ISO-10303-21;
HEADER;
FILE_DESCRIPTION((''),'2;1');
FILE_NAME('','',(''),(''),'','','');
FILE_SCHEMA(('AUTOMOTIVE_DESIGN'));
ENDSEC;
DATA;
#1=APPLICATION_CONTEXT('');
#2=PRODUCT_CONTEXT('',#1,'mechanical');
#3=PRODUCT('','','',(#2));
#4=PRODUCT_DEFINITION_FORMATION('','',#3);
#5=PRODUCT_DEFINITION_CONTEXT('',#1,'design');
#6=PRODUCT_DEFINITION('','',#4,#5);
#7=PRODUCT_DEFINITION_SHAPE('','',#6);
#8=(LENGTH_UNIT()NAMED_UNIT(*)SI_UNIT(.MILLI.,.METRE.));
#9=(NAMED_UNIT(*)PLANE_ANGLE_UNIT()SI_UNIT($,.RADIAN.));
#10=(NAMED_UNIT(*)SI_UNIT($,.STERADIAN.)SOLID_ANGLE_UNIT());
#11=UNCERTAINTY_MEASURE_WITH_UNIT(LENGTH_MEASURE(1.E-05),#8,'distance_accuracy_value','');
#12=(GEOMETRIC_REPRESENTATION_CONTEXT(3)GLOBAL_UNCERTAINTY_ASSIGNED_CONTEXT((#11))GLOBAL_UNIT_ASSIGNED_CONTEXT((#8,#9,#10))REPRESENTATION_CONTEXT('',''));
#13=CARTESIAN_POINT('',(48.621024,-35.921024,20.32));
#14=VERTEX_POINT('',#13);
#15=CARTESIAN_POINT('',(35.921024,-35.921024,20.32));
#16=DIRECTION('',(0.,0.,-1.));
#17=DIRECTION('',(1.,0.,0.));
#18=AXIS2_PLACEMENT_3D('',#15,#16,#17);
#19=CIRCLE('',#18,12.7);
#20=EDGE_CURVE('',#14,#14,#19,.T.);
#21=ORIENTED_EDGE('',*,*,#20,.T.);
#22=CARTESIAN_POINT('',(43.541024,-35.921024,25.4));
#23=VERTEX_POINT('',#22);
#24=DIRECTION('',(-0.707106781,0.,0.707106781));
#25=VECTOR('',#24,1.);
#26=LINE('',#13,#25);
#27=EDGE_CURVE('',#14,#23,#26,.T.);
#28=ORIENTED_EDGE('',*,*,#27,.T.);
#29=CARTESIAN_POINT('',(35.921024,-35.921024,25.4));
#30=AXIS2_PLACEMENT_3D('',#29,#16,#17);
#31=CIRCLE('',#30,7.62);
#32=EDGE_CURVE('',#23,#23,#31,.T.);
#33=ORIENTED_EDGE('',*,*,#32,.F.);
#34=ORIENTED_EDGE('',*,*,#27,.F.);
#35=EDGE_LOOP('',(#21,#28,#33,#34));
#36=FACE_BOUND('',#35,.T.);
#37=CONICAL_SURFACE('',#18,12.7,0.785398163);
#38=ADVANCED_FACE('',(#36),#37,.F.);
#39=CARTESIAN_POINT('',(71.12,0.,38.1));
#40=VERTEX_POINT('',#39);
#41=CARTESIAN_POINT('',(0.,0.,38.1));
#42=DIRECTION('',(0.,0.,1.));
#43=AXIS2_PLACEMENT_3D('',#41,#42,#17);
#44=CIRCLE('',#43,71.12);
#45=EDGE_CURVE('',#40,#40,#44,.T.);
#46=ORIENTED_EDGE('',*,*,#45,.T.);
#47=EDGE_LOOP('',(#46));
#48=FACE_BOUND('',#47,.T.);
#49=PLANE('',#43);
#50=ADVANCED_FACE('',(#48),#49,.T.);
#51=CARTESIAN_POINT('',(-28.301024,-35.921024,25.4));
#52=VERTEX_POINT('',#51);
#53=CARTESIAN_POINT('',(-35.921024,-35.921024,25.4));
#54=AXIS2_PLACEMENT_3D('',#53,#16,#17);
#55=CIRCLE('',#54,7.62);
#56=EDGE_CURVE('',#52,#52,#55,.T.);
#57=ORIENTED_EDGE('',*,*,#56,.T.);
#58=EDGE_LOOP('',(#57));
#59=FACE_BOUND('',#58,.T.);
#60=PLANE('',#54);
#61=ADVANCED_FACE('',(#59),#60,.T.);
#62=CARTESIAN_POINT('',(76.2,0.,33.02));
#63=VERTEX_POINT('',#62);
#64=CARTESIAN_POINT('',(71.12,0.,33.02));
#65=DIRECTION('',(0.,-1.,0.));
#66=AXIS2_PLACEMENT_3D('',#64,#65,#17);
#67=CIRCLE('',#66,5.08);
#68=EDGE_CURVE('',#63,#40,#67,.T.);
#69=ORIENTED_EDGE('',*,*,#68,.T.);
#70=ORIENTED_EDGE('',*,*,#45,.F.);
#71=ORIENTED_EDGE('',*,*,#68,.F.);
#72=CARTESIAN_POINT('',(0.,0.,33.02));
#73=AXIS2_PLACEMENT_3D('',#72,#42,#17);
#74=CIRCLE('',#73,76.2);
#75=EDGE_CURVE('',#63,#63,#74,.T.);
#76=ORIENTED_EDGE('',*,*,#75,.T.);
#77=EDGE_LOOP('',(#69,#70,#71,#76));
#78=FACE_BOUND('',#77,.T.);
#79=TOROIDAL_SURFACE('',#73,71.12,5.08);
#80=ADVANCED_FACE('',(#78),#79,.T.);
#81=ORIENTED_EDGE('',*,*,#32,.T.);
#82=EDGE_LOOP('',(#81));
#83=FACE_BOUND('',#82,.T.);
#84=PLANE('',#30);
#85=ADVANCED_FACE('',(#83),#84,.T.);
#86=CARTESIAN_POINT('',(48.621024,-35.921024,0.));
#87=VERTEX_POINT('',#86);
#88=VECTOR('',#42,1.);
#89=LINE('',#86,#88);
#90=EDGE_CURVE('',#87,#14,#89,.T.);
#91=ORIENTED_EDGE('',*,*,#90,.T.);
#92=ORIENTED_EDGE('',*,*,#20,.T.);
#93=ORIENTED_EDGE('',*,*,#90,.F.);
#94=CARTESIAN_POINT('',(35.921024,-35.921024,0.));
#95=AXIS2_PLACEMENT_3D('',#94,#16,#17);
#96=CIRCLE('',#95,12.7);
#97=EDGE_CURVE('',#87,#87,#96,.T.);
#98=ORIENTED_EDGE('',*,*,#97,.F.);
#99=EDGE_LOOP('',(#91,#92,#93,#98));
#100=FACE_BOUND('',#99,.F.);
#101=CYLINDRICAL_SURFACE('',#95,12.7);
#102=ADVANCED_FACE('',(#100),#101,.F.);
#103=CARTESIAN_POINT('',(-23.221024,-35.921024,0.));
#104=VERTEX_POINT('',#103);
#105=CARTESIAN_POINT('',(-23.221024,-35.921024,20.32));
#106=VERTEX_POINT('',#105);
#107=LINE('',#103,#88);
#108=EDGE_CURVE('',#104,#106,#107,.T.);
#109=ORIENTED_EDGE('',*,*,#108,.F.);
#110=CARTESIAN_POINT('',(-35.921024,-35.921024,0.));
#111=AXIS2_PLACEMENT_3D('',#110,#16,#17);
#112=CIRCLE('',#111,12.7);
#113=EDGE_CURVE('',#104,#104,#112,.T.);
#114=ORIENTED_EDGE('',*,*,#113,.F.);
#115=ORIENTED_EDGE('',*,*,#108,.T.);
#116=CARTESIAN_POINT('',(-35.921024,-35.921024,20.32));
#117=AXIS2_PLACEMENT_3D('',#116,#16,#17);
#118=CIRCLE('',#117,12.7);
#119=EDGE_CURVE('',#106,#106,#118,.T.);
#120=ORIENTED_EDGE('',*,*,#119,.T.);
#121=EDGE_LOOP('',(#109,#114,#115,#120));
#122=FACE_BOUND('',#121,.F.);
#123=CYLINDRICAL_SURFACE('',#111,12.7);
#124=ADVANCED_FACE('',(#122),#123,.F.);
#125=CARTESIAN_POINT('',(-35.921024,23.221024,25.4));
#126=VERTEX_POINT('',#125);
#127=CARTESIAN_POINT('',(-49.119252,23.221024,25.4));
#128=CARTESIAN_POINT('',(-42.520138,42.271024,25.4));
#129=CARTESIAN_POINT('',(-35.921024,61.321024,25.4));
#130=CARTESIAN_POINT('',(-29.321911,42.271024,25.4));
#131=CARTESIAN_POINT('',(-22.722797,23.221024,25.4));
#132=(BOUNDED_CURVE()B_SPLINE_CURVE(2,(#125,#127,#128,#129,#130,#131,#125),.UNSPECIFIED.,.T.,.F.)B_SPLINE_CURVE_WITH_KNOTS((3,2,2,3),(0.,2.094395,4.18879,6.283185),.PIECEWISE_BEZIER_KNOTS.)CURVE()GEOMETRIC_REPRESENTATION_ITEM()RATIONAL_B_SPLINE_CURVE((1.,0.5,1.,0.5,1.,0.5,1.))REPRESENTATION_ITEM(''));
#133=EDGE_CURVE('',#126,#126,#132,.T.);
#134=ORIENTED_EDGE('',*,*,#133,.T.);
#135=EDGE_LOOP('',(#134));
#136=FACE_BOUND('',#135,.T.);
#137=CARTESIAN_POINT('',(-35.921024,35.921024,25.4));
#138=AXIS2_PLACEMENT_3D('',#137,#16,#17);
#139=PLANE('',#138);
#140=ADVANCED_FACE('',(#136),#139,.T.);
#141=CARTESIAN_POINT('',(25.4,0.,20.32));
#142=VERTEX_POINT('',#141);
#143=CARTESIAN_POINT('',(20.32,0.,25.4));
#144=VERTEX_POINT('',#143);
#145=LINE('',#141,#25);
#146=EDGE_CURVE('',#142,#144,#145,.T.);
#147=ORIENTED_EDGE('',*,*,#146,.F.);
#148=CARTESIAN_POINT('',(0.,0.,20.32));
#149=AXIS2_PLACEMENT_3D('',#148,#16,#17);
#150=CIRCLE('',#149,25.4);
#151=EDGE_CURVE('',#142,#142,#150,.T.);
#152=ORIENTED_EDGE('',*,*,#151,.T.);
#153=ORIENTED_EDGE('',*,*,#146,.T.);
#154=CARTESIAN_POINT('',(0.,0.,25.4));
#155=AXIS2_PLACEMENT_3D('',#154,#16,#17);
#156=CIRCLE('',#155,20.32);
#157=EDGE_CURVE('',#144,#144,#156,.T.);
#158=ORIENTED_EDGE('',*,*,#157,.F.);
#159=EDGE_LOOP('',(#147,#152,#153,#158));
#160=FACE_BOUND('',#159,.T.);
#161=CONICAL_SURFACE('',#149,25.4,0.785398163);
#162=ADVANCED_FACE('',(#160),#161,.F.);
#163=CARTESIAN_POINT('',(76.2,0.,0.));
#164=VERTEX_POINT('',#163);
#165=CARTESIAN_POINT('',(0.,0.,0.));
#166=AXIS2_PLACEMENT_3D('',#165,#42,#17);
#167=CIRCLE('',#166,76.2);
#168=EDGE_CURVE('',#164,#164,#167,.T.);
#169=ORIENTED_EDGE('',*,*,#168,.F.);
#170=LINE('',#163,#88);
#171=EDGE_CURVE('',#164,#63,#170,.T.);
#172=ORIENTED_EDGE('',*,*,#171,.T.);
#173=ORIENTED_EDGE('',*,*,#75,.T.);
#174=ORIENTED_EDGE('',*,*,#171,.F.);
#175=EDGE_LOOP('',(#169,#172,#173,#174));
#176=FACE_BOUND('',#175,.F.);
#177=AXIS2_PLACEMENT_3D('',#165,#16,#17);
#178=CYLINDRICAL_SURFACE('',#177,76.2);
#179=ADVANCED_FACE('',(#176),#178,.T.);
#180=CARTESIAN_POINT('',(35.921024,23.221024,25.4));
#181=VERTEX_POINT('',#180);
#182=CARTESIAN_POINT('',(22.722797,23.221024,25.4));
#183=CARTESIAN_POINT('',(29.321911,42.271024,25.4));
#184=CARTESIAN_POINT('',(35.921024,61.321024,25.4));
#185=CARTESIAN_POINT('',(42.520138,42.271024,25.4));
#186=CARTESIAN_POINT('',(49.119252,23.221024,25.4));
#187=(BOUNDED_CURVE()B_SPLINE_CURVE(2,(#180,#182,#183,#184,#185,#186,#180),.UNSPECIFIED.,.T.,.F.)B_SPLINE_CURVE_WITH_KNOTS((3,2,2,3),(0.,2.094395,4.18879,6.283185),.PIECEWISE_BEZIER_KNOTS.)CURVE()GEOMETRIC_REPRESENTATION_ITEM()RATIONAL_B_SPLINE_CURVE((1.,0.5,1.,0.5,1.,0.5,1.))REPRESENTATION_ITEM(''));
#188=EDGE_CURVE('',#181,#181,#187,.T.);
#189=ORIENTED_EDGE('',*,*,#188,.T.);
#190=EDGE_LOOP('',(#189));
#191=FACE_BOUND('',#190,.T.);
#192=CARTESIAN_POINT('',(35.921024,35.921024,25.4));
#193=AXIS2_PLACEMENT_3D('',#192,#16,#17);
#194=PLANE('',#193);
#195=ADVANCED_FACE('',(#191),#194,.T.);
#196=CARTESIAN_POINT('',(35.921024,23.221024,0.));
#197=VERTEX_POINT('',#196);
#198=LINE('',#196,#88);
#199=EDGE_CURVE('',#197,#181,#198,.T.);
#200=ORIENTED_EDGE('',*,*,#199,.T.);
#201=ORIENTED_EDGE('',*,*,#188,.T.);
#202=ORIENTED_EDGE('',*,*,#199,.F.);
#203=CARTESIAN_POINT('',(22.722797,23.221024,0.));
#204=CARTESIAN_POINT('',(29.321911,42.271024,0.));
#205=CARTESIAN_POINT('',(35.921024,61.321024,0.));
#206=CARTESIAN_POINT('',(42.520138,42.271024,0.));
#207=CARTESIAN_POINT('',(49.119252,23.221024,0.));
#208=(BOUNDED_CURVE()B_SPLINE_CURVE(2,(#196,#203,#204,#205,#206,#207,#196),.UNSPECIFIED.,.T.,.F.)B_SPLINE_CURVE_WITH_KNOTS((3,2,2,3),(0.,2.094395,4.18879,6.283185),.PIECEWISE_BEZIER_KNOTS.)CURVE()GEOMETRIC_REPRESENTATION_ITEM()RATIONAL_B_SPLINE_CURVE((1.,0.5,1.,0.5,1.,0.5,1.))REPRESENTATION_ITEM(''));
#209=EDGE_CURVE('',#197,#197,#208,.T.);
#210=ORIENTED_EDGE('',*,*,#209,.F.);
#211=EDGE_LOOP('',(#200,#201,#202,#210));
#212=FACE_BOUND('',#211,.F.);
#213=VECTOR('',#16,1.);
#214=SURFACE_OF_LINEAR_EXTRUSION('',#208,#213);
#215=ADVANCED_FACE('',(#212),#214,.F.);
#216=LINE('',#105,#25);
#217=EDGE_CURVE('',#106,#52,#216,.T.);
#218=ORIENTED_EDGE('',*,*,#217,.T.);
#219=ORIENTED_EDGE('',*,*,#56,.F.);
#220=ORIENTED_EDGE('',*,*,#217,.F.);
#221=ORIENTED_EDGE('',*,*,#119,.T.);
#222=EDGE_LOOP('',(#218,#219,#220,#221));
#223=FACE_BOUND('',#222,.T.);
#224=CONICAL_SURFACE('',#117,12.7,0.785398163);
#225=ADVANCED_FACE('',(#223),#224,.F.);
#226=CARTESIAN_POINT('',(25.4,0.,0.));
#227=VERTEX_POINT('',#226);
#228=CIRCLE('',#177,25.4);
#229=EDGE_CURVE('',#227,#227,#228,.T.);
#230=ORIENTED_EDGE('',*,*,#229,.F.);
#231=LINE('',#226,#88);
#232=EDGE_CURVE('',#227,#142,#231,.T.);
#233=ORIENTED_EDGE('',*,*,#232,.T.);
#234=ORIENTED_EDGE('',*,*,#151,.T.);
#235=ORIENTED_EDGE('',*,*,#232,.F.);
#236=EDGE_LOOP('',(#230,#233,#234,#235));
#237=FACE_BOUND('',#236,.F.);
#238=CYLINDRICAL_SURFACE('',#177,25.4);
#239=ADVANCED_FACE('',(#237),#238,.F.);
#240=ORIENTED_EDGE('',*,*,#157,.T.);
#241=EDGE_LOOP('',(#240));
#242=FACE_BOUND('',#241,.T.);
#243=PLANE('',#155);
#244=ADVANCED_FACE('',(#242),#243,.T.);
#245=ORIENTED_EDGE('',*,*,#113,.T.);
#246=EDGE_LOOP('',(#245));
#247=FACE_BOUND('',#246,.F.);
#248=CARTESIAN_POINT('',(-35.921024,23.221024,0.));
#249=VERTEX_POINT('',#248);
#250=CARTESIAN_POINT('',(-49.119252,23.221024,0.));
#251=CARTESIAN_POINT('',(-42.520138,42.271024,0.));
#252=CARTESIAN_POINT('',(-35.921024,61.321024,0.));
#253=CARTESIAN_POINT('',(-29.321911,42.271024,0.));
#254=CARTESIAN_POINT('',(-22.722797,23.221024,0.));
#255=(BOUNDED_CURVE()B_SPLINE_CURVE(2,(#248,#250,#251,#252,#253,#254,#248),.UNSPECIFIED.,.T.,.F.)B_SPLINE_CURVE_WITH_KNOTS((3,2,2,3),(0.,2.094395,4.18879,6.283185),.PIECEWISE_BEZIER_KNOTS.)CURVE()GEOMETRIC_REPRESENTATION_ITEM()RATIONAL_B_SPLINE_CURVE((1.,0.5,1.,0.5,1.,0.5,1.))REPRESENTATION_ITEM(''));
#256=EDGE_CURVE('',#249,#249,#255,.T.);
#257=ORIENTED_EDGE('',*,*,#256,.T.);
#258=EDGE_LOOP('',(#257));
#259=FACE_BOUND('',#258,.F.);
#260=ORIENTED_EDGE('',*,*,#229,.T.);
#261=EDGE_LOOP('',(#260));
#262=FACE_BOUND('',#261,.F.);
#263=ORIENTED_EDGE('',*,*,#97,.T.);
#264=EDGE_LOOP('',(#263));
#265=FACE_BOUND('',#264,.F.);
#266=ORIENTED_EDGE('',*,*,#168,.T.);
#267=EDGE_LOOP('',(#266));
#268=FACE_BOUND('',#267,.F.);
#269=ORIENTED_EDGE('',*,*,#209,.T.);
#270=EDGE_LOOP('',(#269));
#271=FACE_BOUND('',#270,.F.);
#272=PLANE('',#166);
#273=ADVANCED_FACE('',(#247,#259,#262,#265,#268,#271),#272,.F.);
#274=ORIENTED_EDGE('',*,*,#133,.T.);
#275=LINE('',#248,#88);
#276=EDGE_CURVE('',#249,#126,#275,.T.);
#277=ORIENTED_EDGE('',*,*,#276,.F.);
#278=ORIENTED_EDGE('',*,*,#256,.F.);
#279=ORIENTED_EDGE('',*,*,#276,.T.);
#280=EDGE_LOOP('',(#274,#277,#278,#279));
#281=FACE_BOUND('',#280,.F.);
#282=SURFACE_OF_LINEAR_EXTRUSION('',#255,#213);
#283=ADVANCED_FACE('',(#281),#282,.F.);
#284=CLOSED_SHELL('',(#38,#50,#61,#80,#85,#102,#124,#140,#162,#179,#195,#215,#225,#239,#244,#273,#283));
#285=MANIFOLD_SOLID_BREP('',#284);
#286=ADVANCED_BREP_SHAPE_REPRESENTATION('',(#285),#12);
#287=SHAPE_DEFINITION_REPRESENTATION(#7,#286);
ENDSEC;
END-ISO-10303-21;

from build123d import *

# Parameters (mm, degrees)
F0_R     = 76.2
F0_R_2   = 12.7
F0_R_3   = 31.75
F1_DEPTH = 38.1
F2_R     = 25.4
F2_R_2   = 12.7
F3_DEPTH = 25.4
F4_R     = 5.08
F5_SIZE  = 5.08
F6_SIZE  = 5.08


with BuildPart() as f1:
    # F0 (on Top) → F1 (new body)
    with BuildSketch(Plane.XY):
        Circle(F0_R)
        with BuildLine():
            add(Edge.make_bspline(
                [(-35.921024, -48.621024), (-22.722797, -48.621024), (-29.321911, -29.571024), (-35.921024, -10.521024), (-42.520138, -29.571024), (-49.119252, -48.621024), (-35.921024, -48.621024)],
                knots=[0, 0, 0, 2.094395, 2.094395, 4.18879, 4.18879, 6.283185, 6.283185, 6.283185], degree=2, weights=[1, 0.5, 1, 0.5, 1, 0.5, 1]))
        make_face(mode=Mode.SUBTRACT)
        with BuildLine():
            add(Edge.make_bspline(
                [(35.921024, -48.621024), (49.119252, -48.621024), (42.520138, -29.571024), (35.921024, -10.521024), (29.321911, -29.571024), (22.722797, -48.621024), (35.921024, -48.621024)],
                knots=[0, 0, 0, 2.094395, 2.094395, 4.18879, 4.18879, 6.283185, 6.283185, 6.283185], degree=2, weights=[1, 0.5, 1, 0.5, 1, 0.5, 1]))
        make_face(mode=Mode.SUBTRACT)
        with Locations((-35.921024, 35.921024)):
            Circle(F0_R_2, mode=Mode.SUBTRACT)
        Circle(F0_R_3, mode=Mode.SUBTRACT)
        with Locations((35.921024, 35.921024)):
            Circle(F0_R_2, mode=Mode.SUBTRACT)
        with Locations((-35.921024, 35.921024)):
            Circle(F0_R_2)
        Circle(F0_R_3)
        with Locations((35.921024, 35.921024)):
            Circle(F0_R_2)
        with BuildLine():
            add(Edge.make_bspline(
                [(35.921024, -48.621024), (49.119252, -48.621024), (42.520138, -29.571024), (35.921024, -10.521024), (29.321911, -29.571024), (22.722797, -48.621024), (35.921024, -48.621024)],
                knots=[0, 0, 0, 2.094395, 2.094395, 4.18879, 4.18879, 6.283185, 6.283185, 6.283185], degree=2, weights=[1, 0.5, 1, 0.5, 1, 0.5, 1]))
        make_face()
        with BuildLine():
            add(Edge.make_bspline(
                [(-35.921024, -48.621024), (-22.722797, -48.621024), (-29.321911, -29.571024), (-35.921024, -10.521024), (-42.520138, -29.571024), (-49.119252, -48.621024), (-35.921024, -48.621024)],
                knots=[0, 0, 0, 2.094395, 2.094395, 4.18879, 4.18879, 6.283185, 6.283185, 6.283185], degree=2, weights=[1, 0.5, 1, 0.5, 1, 0.5, 1]))
        make_face()
    extrude(amount=F1_DEPTH)

    # F2 (on face) → F3 (cut)
    with BuildSketch(Plane(origin=(0, 0, 0), x_dir=(1, 0, 0), z_dir=(0, 0, -1))):
        Circle(F2_R)
        with Locations((35.921024, 35.921024)):
            Circle(F2_R_2)
        with Locations((-35.921024, 35.921024)):
            Circle(F2_R_2)
        with BuildLine():
            add(Edge.make_bspline(
                [(-35.921024, -23.221024), (-49.119252, -23.221024), (-42.520138, -42.271024), (-35.921024, -61.321024), (-29.321911, -42.271024), (-22.722797, -23.221024), (-35.921024, -23.221024)],
                knots=[0, 0, 0, 2.094395, 2.094395, 4.18879, 4.18879, 6.283185, 6.283185, 6.283185], degree=2, weights=[1, 0.5, 1, 0.5, 1, 0.5, 1]))
        make_face()
        with BuildLine():
            add(Edge.make_bspline(
                [(35.921024, -23.221024), (22.722797, -23.221024), (29.321911, -42.271024), (35.921024, -61.321024), (42.520138, -42.271024), (49.119252, -23.221024), (35.921024, -23.221024)],
                knots=[0, 0, 0, 2.094395, 2.094395, 4.18879, 4.18879, 6.283185, 6.283185, 6.283185], degree=2, weights=[1, 0.5, 1, 0.5, 1, 0.5, 1]))
        make_face()
    extrude(amount=-F3_DEPTH, mode=Mode.SUBTRACT)

    # F4
    f4_edges = [f1.edges().sort_by_distance(p)[0] for p in [
        (-76.2, 0, 38.1),
    ]]
    fillet(f4_edges, radius=F4_R)

    # F5
    f5_edges = [f1.edges().sort_by_distance(p)[0] for p in [
        (-25.4, 0, 25.4),
        (23.221024, -35.921024, 25.4),
    ]]
    chamfer(f5_edges, length=F5_SIZE)

    # F6
    f6_edges = [f1.edges().sort_by_distance(p)[0] for p in [
        (-48.621024, -35.921024, 25.4),
    ]]
    chamfer(f6_edges, length=F6_SIZE)


solid = f1.part
